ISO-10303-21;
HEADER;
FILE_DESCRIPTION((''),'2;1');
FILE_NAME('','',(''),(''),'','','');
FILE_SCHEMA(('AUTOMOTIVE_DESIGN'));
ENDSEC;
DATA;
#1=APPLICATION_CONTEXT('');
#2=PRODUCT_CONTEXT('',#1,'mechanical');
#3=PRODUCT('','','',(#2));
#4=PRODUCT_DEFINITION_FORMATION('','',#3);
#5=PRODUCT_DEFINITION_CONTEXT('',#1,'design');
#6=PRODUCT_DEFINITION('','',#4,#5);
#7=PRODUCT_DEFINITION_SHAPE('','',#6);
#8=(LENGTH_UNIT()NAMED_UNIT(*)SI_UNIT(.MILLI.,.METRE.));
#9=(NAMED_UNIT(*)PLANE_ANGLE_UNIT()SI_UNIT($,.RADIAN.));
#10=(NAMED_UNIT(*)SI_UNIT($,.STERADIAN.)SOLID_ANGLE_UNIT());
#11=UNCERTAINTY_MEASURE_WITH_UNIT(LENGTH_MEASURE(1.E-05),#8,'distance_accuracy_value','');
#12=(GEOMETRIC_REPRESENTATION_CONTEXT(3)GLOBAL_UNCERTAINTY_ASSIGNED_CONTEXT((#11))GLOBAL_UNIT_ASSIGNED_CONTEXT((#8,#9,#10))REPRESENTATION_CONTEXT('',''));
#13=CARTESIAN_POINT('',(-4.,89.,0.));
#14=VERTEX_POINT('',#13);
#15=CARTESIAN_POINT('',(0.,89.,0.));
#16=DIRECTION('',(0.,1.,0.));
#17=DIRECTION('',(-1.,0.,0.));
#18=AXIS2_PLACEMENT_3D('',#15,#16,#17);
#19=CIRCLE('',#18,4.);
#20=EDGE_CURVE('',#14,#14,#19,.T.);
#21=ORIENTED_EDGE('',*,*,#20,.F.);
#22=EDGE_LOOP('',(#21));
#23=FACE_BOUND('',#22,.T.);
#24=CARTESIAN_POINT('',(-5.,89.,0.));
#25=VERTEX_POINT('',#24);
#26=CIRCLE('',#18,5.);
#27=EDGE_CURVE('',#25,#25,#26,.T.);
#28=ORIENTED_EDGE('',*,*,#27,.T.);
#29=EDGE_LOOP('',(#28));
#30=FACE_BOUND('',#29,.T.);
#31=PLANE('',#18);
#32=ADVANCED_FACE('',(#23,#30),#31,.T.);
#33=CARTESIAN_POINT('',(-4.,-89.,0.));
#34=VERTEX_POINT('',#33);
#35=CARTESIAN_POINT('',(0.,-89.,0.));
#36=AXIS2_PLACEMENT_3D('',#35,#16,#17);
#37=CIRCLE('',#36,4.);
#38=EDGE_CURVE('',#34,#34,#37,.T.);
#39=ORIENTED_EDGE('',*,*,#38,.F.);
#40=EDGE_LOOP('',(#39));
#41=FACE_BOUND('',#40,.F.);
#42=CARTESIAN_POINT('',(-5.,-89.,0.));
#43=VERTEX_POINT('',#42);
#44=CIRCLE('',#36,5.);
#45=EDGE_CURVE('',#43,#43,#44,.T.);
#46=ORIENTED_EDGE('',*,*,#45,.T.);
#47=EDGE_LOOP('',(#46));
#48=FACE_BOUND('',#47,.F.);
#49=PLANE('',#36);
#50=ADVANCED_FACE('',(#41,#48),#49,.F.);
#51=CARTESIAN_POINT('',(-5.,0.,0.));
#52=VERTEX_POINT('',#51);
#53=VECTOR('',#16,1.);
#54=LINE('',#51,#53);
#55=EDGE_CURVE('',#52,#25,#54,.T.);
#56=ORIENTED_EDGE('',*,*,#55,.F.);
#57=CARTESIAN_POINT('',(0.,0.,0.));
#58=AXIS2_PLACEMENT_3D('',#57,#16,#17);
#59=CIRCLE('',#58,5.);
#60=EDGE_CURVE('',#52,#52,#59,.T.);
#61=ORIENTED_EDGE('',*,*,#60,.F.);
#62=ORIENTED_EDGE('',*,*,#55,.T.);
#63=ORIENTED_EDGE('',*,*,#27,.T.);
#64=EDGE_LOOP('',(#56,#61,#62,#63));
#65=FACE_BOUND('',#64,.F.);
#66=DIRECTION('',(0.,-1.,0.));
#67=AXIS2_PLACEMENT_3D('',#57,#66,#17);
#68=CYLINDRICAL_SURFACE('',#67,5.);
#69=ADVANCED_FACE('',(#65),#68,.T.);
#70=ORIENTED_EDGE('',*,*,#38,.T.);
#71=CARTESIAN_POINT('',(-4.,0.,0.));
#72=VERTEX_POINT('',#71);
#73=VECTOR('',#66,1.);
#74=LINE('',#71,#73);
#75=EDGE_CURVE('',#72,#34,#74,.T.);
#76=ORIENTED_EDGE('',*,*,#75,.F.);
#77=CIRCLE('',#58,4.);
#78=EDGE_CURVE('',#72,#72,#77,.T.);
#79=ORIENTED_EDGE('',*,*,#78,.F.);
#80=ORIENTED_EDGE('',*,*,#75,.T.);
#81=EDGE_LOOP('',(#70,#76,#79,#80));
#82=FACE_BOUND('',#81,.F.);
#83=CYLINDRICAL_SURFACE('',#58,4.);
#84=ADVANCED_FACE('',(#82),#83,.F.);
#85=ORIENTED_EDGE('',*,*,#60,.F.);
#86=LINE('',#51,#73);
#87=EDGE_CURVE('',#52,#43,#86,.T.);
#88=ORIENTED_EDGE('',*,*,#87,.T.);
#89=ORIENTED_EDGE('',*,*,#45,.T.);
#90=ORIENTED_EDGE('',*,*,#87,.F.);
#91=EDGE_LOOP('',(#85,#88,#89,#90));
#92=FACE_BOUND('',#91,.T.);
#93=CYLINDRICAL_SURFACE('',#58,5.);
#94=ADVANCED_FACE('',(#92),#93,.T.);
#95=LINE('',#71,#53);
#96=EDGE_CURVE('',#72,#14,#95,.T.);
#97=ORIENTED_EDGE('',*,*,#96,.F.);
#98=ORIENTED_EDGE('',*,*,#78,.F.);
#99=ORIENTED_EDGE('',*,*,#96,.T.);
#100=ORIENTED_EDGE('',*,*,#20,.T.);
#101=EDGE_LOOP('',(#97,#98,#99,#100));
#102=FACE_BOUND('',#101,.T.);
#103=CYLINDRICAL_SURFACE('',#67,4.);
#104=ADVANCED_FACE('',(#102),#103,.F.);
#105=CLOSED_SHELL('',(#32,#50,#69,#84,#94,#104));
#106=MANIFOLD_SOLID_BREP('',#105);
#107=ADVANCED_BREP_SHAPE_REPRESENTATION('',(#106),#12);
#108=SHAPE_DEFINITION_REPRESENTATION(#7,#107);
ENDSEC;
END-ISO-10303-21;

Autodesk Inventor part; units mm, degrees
ref_plane "XY Plane" through (0, 0, 0) normal (0, 0, 1) x (1, 0, 0)
sketch "Эскиз1" plane through (0, 0, 0) normal (0, 1, 0) x (-1, 0, 0)
  circle A0 centre (0, 0) radius 5
  circle A1 centre (0, 0) radius 4
  dimension "d0" = 10
  dimension "d7" = 8
extrude "Выдавливание1" add sketch "Эскиз1" along normal mid plane 178
sketch "Эскиз4" plane through (0, 0, 0) normal (1, 0, 0) x (0, 1, 0)
  line L0 (-89, 5) -> (89, 5) projected
  line L1 (-7.6165, -5) -> (7.6165, -5)
  line L2 (7.6165, -5) -> (7.6165, 5)
  line L3 (7.6165, 5) -> (-7.6165, 5)
  line L4 (-7.6165, 5) -> (-7.6165, -5)
  line L5 (-7.6165, -5) -> (7.6165, 5) construction
  line L6 (7.6165, -5) -> (-7.6165, 5) construction
  line L7 (0, 7.15) -> (0, -6.85) projected
  point P0 (0, 0)
  point P1 (0, 0)
  point P2 (0, 0)
  point P3 (-7.6165, 5)
  dimension "d11" = 15.233
  dimension "d12" = 10
extrude "Выдавливание3" [suppressed]
fillet "Сопряжение1" [suppressed]
feature "Разделение1" [suppressed]
properties part number "Трубка основания"
